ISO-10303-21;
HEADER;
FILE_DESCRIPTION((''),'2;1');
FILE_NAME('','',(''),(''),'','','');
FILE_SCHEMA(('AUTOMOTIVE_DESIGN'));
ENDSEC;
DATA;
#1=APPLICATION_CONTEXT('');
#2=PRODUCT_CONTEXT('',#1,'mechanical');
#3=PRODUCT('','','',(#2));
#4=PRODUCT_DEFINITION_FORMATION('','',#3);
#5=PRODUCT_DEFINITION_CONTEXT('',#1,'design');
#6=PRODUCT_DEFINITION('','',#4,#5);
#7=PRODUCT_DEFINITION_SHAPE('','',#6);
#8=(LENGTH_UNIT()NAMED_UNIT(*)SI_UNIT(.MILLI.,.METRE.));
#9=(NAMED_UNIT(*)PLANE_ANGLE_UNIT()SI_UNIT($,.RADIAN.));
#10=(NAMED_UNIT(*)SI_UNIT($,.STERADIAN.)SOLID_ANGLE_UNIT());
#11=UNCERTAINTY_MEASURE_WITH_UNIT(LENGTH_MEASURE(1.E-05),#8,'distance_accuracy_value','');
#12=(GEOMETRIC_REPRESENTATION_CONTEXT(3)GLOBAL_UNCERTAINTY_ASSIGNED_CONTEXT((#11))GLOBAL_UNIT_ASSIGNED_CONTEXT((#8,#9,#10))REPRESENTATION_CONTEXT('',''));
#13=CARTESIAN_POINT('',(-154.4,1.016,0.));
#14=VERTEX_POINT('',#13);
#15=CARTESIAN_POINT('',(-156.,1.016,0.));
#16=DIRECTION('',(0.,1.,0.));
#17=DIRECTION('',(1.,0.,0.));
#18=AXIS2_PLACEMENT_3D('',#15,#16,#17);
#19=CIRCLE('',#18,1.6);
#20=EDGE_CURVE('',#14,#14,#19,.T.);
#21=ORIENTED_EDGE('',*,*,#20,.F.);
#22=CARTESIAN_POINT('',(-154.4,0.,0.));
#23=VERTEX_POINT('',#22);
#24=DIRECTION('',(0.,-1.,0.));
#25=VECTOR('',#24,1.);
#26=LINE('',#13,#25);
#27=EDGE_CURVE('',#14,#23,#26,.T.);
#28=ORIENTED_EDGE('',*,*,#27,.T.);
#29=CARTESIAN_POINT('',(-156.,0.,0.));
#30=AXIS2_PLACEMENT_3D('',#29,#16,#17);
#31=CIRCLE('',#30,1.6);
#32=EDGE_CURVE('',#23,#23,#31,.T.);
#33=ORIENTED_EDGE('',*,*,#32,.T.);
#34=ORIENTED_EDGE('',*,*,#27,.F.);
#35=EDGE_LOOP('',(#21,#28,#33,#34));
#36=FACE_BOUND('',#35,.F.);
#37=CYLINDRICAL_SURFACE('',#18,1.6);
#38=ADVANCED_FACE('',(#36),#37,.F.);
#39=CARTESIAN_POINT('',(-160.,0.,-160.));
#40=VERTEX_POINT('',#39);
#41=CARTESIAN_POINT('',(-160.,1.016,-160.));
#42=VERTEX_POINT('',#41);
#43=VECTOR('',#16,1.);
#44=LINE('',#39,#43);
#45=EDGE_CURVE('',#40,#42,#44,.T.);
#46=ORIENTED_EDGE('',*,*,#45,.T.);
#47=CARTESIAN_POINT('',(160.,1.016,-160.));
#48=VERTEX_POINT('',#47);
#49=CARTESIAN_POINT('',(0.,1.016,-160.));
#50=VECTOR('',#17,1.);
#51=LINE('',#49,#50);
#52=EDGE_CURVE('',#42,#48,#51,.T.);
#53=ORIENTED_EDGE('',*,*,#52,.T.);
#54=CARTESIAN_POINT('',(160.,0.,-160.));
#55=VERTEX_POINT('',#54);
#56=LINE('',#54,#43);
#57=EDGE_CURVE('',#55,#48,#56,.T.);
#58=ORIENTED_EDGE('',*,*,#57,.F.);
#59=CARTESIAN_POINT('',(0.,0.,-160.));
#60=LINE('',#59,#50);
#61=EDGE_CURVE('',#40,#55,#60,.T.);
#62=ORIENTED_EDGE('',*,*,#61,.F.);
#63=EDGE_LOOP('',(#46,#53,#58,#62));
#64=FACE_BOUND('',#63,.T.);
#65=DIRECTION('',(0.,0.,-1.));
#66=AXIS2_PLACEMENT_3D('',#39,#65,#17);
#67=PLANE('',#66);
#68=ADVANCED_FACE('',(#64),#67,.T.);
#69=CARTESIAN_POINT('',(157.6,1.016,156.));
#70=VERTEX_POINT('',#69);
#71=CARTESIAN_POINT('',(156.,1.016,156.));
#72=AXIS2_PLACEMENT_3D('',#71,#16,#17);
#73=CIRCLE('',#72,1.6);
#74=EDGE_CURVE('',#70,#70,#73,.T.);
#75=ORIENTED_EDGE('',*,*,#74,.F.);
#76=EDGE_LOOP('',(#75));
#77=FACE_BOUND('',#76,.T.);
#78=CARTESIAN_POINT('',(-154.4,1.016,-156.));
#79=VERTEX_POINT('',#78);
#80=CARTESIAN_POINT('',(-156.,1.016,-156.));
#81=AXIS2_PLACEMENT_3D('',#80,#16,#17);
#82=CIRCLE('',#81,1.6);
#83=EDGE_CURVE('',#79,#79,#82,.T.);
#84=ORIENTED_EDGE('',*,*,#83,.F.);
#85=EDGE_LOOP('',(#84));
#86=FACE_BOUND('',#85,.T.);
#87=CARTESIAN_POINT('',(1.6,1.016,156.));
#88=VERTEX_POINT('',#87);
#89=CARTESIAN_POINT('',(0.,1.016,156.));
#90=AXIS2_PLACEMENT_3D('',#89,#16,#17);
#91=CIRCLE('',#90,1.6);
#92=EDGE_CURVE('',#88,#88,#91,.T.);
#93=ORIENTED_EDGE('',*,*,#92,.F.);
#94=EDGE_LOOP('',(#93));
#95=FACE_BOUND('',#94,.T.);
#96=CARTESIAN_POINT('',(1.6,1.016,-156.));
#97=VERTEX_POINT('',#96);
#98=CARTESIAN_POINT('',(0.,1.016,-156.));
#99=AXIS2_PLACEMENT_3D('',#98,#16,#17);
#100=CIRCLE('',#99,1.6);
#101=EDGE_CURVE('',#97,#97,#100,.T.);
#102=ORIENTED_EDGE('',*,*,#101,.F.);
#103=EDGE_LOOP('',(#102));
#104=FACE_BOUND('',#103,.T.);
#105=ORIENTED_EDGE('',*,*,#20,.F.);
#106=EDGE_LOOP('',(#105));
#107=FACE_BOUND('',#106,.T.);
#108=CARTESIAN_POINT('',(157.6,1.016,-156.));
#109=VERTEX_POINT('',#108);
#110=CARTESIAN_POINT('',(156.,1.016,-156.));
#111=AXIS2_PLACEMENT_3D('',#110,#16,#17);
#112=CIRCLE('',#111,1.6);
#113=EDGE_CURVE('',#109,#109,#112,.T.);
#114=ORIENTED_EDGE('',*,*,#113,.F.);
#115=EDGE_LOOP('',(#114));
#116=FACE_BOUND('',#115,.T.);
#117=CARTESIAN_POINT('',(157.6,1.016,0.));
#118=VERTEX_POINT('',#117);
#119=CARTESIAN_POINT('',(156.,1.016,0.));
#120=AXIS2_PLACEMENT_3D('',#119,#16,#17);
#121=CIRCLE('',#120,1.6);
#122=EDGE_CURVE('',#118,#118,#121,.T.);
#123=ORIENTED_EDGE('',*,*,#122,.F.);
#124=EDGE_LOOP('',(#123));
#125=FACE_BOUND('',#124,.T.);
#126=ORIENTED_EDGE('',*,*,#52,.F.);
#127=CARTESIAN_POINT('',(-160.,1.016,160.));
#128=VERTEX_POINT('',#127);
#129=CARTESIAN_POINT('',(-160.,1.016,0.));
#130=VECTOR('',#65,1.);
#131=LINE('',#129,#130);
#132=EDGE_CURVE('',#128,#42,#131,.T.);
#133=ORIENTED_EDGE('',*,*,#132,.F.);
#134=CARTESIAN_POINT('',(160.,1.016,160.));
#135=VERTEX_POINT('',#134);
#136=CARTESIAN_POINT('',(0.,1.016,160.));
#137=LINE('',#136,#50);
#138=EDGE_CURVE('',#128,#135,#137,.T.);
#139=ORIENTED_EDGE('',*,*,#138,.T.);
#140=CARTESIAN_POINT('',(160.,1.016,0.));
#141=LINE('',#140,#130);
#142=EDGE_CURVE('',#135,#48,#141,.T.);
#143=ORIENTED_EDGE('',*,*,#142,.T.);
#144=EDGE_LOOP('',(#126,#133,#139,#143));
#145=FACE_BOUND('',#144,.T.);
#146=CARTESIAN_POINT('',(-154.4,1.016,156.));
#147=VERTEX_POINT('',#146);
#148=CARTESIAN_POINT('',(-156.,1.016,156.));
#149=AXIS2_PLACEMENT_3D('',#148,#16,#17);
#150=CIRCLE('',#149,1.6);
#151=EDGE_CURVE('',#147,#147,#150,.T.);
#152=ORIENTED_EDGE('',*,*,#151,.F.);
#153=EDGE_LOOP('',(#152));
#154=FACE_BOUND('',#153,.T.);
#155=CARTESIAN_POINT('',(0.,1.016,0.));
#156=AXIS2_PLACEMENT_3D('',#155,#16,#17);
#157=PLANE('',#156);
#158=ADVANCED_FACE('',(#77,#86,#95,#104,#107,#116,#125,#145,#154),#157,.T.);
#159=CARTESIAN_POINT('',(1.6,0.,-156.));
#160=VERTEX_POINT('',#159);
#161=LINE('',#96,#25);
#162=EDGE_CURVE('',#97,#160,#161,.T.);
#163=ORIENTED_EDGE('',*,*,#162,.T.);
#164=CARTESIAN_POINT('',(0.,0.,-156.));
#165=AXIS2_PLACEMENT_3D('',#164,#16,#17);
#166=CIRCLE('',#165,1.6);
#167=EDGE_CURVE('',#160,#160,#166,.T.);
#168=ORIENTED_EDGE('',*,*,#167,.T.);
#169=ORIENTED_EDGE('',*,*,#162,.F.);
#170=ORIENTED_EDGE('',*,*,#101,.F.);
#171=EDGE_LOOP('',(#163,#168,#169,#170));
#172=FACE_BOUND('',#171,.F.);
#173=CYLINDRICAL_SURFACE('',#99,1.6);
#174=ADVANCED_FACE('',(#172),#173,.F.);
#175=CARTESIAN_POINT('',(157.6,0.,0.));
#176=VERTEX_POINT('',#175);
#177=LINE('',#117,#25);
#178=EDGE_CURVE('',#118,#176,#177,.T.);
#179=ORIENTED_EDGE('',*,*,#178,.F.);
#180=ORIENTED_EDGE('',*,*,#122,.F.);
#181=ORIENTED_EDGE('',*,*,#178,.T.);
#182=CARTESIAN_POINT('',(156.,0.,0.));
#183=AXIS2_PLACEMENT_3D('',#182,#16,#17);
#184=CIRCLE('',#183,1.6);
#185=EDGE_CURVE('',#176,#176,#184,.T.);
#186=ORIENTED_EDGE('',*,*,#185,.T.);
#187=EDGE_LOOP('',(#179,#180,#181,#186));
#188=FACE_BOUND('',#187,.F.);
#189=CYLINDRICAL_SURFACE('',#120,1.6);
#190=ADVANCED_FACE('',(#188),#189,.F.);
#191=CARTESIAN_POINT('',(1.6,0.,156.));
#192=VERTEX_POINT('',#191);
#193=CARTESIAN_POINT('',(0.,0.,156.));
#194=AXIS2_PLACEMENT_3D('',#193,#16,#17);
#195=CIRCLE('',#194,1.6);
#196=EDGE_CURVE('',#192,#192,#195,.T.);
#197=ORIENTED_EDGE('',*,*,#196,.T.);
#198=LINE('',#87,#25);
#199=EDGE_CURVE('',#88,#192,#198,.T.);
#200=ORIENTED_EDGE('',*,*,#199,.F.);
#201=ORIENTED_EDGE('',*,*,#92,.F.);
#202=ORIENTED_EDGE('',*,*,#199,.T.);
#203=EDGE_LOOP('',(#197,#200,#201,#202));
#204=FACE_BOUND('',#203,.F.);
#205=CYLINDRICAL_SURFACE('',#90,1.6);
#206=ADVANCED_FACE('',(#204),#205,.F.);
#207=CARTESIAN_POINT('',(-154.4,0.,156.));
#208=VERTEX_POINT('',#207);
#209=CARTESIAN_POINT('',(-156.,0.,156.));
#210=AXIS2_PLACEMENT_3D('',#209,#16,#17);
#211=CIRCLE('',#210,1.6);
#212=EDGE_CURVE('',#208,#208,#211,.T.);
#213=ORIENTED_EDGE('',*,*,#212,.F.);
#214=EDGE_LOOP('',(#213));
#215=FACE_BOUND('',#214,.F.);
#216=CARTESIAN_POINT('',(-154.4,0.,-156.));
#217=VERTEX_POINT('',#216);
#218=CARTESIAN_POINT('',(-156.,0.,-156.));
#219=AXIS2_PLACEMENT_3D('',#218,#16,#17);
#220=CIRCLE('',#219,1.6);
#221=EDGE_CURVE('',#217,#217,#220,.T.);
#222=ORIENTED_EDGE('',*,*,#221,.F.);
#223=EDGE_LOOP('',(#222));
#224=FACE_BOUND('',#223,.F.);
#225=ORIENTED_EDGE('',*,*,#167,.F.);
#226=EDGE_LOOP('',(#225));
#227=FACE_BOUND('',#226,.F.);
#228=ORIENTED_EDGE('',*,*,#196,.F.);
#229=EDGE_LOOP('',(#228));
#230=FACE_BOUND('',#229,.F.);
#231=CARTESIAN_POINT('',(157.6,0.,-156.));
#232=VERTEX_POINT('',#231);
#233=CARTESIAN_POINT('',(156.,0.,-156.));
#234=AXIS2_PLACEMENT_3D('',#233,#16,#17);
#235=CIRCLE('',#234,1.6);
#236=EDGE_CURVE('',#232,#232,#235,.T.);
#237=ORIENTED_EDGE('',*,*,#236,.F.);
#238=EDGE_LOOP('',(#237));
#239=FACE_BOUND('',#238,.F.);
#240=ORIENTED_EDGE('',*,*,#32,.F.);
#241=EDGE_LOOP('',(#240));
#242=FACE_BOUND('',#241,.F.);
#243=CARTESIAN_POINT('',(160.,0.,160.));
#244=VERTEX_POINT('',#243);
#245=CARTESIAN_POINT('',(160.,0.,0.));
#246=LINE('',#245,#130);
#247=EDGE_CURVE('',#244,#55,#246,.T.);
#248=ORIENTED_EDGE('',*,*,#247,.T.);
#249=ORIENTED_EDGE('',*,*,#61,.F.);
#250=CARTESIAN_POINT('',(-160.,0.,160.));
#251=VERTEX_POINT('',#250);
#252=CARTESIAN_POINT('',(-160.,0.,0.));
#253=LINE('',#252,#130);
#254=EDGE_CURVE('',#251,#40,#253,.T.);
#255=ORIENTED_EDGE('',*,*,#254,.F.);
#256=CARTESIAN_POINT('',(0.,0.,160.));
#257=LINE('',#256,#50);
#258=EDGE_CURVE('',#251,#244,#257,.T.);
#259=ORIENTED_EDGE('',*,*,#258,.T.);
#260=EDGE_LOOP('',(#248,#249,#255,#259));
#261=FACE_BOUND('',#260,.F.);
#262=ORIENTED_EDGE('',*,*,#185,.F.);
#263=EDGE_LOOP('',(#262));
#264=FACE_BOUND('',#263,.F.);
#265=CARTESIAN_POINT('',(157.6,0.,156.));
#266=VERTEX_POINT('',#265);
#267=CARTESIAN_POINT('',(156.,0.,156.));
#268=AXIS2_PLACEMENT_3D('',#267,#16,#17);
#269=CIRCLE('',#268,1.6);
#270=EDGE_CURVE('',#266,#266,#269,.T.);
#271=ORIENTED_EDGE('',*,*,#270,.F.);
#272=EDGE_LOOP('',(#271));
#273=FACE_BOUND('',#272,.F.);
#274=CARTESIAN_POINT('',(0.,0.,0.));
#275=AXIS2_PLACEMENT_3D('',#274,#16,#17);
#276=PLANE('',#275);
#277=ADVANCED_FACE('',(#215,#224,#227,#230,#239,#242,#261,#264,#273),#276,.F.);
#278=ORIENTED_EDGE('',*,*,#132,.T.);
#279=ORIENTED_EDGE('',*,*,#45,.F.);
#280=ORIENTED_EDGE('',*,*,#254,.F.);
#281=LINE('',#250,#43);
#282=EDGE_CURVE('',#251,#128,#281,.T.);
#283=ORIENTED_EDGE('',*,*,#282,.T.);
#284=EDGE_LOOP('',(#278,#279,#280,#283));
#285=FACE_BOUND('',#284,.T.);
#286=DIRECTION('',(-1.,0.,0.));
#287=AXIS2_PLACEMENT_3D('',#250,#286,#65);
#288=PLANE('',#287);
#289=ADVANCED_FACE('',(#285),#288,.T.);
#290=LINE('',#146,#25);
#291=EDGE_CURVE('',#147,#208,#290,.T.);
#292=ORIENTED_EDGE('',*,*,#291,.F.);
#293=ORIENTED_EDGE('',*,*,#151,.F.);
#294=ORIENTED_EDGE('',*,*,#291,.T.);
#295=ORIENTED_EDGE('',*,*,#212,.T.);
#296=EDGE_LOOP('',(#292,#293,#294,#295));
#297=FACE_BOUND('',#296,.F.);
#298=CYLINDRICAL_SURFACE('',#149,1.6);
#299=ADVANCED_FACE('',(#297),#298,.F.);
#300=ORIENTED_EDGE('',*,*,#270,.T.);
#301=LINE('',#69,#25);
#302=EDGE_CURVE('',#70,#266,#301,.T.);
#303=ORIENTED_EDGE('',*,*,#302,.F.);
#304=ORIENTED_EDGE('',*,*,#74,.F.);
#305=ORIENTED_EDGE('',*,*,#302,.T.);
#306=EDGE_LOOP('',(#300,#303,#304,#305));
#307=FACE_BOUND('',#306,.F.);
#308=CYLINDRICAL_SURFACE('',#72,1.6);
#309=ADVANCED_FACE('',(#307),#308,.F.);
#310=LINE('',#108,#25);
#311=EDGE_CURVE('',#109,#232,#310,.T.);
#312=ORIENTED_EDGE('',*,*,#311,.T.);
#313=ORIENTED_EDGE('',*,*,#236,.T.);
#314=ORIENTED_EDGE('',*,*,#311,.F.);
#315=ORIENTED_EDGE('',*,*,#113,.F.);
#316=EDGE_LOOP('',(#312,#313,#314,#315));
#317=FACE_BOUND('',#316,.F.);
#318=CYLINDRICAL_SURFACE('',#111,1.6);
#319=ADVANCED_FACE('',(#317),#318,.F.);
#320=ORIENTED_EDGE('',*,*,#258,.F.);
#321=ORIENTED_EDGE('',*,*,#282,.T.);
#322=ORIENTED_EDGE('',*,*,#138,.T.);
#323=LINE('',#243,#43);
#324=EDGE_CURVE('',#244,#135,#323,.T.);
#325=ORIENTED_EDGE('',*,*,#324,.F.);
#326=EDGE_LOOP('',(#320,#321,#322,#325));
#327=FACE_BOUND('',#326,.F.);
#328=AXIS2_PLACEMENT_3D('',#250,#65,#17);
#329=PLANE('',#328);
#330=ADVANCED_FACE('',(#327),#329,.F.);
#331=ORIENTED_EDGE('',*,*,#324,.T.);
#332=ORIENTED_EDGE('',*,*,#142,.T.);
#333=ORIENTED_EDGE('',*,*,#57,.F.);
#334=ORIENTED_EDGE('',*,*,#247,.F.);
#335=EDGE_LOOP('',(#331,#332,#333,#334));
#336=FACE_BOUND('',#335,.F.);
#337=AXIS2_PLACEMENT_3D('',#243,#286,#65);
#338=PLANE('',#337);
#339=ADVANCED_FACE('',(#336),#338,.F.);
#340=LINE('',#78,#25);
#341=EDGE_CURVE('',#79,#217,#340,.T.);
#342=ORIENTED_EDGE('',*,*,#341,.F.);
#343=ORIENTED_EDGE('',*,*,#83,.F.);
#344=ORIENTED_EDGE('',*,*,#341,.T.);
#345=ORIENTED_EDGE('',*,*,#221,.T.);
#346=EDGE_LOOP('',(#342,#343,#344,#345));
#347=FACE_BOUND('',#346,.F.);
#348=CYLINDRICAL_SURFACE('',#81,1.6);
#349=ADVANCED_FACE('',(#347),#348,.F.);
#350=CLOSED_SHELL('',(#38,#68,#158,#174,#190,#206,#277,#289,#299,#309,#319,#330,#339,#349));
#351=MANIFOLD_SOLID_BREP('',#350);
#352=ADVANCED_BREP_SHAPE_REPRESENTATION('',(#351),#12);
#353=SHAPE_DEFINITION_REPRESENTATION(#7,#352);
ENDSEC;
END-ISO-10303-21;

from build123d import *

# Parameters (mm, degrees)
MAIN_PLATE_W        = 320
MAIN_PLATE_H        = 320
BOSS_EXTRUDE1_DEPTH = 1.016
MAIN_HOLES_R        = 1.6
CUT_EXTRUDE1_DEPTH  = 2.016


with BuildPart() as part:
    # main_plate → Boss-Extrude1 (new body)
    with BuildSketch(Plane(origin=(0, 0, 0), x_dir=(1, 0, 0), z_dir=(0, 1, 0))):
        Rectangle(MAIN_PLATE_W, MAIN_PLATE_H)
    extrude(amount=BOSS_EXTRUDE1_DEPTH)

    # main_holes → Cut-Extrude1 (cut, through all)
    with BuildSketch(Plane(origin=(0, 1.016, 0), x_dir=(1, 0, 0), z_dir=(0, 1, 0))):
        with Locations((-156, 156)):
            Circle(MAIN_HOLES_R)
        with Locations((0, 156)):
            Circle(MAIN_HOLES_R)
        with Locations((156, 156)):
            Circle(MAIN_HOLES_R)
        with Locations((-156, 0)):
            Circle(MAIN_HOLES_R)
        with Locations((156, 0)):
            Circle(MAIN_HOLES_R)
        with Locations((-156, -156)):
            Circle(MAIN_HOLES_R)
        with Locations((0, -156)):
            Circle(MAIN_HOLES_R)
        with Locations((156, -156)):
            Circle(MAIN_HOLES_R)
    extrude(amount=-CUT_EXTRUDE1_DEPTH, mode=Mode.SUBTRACT)


solid = part.part
